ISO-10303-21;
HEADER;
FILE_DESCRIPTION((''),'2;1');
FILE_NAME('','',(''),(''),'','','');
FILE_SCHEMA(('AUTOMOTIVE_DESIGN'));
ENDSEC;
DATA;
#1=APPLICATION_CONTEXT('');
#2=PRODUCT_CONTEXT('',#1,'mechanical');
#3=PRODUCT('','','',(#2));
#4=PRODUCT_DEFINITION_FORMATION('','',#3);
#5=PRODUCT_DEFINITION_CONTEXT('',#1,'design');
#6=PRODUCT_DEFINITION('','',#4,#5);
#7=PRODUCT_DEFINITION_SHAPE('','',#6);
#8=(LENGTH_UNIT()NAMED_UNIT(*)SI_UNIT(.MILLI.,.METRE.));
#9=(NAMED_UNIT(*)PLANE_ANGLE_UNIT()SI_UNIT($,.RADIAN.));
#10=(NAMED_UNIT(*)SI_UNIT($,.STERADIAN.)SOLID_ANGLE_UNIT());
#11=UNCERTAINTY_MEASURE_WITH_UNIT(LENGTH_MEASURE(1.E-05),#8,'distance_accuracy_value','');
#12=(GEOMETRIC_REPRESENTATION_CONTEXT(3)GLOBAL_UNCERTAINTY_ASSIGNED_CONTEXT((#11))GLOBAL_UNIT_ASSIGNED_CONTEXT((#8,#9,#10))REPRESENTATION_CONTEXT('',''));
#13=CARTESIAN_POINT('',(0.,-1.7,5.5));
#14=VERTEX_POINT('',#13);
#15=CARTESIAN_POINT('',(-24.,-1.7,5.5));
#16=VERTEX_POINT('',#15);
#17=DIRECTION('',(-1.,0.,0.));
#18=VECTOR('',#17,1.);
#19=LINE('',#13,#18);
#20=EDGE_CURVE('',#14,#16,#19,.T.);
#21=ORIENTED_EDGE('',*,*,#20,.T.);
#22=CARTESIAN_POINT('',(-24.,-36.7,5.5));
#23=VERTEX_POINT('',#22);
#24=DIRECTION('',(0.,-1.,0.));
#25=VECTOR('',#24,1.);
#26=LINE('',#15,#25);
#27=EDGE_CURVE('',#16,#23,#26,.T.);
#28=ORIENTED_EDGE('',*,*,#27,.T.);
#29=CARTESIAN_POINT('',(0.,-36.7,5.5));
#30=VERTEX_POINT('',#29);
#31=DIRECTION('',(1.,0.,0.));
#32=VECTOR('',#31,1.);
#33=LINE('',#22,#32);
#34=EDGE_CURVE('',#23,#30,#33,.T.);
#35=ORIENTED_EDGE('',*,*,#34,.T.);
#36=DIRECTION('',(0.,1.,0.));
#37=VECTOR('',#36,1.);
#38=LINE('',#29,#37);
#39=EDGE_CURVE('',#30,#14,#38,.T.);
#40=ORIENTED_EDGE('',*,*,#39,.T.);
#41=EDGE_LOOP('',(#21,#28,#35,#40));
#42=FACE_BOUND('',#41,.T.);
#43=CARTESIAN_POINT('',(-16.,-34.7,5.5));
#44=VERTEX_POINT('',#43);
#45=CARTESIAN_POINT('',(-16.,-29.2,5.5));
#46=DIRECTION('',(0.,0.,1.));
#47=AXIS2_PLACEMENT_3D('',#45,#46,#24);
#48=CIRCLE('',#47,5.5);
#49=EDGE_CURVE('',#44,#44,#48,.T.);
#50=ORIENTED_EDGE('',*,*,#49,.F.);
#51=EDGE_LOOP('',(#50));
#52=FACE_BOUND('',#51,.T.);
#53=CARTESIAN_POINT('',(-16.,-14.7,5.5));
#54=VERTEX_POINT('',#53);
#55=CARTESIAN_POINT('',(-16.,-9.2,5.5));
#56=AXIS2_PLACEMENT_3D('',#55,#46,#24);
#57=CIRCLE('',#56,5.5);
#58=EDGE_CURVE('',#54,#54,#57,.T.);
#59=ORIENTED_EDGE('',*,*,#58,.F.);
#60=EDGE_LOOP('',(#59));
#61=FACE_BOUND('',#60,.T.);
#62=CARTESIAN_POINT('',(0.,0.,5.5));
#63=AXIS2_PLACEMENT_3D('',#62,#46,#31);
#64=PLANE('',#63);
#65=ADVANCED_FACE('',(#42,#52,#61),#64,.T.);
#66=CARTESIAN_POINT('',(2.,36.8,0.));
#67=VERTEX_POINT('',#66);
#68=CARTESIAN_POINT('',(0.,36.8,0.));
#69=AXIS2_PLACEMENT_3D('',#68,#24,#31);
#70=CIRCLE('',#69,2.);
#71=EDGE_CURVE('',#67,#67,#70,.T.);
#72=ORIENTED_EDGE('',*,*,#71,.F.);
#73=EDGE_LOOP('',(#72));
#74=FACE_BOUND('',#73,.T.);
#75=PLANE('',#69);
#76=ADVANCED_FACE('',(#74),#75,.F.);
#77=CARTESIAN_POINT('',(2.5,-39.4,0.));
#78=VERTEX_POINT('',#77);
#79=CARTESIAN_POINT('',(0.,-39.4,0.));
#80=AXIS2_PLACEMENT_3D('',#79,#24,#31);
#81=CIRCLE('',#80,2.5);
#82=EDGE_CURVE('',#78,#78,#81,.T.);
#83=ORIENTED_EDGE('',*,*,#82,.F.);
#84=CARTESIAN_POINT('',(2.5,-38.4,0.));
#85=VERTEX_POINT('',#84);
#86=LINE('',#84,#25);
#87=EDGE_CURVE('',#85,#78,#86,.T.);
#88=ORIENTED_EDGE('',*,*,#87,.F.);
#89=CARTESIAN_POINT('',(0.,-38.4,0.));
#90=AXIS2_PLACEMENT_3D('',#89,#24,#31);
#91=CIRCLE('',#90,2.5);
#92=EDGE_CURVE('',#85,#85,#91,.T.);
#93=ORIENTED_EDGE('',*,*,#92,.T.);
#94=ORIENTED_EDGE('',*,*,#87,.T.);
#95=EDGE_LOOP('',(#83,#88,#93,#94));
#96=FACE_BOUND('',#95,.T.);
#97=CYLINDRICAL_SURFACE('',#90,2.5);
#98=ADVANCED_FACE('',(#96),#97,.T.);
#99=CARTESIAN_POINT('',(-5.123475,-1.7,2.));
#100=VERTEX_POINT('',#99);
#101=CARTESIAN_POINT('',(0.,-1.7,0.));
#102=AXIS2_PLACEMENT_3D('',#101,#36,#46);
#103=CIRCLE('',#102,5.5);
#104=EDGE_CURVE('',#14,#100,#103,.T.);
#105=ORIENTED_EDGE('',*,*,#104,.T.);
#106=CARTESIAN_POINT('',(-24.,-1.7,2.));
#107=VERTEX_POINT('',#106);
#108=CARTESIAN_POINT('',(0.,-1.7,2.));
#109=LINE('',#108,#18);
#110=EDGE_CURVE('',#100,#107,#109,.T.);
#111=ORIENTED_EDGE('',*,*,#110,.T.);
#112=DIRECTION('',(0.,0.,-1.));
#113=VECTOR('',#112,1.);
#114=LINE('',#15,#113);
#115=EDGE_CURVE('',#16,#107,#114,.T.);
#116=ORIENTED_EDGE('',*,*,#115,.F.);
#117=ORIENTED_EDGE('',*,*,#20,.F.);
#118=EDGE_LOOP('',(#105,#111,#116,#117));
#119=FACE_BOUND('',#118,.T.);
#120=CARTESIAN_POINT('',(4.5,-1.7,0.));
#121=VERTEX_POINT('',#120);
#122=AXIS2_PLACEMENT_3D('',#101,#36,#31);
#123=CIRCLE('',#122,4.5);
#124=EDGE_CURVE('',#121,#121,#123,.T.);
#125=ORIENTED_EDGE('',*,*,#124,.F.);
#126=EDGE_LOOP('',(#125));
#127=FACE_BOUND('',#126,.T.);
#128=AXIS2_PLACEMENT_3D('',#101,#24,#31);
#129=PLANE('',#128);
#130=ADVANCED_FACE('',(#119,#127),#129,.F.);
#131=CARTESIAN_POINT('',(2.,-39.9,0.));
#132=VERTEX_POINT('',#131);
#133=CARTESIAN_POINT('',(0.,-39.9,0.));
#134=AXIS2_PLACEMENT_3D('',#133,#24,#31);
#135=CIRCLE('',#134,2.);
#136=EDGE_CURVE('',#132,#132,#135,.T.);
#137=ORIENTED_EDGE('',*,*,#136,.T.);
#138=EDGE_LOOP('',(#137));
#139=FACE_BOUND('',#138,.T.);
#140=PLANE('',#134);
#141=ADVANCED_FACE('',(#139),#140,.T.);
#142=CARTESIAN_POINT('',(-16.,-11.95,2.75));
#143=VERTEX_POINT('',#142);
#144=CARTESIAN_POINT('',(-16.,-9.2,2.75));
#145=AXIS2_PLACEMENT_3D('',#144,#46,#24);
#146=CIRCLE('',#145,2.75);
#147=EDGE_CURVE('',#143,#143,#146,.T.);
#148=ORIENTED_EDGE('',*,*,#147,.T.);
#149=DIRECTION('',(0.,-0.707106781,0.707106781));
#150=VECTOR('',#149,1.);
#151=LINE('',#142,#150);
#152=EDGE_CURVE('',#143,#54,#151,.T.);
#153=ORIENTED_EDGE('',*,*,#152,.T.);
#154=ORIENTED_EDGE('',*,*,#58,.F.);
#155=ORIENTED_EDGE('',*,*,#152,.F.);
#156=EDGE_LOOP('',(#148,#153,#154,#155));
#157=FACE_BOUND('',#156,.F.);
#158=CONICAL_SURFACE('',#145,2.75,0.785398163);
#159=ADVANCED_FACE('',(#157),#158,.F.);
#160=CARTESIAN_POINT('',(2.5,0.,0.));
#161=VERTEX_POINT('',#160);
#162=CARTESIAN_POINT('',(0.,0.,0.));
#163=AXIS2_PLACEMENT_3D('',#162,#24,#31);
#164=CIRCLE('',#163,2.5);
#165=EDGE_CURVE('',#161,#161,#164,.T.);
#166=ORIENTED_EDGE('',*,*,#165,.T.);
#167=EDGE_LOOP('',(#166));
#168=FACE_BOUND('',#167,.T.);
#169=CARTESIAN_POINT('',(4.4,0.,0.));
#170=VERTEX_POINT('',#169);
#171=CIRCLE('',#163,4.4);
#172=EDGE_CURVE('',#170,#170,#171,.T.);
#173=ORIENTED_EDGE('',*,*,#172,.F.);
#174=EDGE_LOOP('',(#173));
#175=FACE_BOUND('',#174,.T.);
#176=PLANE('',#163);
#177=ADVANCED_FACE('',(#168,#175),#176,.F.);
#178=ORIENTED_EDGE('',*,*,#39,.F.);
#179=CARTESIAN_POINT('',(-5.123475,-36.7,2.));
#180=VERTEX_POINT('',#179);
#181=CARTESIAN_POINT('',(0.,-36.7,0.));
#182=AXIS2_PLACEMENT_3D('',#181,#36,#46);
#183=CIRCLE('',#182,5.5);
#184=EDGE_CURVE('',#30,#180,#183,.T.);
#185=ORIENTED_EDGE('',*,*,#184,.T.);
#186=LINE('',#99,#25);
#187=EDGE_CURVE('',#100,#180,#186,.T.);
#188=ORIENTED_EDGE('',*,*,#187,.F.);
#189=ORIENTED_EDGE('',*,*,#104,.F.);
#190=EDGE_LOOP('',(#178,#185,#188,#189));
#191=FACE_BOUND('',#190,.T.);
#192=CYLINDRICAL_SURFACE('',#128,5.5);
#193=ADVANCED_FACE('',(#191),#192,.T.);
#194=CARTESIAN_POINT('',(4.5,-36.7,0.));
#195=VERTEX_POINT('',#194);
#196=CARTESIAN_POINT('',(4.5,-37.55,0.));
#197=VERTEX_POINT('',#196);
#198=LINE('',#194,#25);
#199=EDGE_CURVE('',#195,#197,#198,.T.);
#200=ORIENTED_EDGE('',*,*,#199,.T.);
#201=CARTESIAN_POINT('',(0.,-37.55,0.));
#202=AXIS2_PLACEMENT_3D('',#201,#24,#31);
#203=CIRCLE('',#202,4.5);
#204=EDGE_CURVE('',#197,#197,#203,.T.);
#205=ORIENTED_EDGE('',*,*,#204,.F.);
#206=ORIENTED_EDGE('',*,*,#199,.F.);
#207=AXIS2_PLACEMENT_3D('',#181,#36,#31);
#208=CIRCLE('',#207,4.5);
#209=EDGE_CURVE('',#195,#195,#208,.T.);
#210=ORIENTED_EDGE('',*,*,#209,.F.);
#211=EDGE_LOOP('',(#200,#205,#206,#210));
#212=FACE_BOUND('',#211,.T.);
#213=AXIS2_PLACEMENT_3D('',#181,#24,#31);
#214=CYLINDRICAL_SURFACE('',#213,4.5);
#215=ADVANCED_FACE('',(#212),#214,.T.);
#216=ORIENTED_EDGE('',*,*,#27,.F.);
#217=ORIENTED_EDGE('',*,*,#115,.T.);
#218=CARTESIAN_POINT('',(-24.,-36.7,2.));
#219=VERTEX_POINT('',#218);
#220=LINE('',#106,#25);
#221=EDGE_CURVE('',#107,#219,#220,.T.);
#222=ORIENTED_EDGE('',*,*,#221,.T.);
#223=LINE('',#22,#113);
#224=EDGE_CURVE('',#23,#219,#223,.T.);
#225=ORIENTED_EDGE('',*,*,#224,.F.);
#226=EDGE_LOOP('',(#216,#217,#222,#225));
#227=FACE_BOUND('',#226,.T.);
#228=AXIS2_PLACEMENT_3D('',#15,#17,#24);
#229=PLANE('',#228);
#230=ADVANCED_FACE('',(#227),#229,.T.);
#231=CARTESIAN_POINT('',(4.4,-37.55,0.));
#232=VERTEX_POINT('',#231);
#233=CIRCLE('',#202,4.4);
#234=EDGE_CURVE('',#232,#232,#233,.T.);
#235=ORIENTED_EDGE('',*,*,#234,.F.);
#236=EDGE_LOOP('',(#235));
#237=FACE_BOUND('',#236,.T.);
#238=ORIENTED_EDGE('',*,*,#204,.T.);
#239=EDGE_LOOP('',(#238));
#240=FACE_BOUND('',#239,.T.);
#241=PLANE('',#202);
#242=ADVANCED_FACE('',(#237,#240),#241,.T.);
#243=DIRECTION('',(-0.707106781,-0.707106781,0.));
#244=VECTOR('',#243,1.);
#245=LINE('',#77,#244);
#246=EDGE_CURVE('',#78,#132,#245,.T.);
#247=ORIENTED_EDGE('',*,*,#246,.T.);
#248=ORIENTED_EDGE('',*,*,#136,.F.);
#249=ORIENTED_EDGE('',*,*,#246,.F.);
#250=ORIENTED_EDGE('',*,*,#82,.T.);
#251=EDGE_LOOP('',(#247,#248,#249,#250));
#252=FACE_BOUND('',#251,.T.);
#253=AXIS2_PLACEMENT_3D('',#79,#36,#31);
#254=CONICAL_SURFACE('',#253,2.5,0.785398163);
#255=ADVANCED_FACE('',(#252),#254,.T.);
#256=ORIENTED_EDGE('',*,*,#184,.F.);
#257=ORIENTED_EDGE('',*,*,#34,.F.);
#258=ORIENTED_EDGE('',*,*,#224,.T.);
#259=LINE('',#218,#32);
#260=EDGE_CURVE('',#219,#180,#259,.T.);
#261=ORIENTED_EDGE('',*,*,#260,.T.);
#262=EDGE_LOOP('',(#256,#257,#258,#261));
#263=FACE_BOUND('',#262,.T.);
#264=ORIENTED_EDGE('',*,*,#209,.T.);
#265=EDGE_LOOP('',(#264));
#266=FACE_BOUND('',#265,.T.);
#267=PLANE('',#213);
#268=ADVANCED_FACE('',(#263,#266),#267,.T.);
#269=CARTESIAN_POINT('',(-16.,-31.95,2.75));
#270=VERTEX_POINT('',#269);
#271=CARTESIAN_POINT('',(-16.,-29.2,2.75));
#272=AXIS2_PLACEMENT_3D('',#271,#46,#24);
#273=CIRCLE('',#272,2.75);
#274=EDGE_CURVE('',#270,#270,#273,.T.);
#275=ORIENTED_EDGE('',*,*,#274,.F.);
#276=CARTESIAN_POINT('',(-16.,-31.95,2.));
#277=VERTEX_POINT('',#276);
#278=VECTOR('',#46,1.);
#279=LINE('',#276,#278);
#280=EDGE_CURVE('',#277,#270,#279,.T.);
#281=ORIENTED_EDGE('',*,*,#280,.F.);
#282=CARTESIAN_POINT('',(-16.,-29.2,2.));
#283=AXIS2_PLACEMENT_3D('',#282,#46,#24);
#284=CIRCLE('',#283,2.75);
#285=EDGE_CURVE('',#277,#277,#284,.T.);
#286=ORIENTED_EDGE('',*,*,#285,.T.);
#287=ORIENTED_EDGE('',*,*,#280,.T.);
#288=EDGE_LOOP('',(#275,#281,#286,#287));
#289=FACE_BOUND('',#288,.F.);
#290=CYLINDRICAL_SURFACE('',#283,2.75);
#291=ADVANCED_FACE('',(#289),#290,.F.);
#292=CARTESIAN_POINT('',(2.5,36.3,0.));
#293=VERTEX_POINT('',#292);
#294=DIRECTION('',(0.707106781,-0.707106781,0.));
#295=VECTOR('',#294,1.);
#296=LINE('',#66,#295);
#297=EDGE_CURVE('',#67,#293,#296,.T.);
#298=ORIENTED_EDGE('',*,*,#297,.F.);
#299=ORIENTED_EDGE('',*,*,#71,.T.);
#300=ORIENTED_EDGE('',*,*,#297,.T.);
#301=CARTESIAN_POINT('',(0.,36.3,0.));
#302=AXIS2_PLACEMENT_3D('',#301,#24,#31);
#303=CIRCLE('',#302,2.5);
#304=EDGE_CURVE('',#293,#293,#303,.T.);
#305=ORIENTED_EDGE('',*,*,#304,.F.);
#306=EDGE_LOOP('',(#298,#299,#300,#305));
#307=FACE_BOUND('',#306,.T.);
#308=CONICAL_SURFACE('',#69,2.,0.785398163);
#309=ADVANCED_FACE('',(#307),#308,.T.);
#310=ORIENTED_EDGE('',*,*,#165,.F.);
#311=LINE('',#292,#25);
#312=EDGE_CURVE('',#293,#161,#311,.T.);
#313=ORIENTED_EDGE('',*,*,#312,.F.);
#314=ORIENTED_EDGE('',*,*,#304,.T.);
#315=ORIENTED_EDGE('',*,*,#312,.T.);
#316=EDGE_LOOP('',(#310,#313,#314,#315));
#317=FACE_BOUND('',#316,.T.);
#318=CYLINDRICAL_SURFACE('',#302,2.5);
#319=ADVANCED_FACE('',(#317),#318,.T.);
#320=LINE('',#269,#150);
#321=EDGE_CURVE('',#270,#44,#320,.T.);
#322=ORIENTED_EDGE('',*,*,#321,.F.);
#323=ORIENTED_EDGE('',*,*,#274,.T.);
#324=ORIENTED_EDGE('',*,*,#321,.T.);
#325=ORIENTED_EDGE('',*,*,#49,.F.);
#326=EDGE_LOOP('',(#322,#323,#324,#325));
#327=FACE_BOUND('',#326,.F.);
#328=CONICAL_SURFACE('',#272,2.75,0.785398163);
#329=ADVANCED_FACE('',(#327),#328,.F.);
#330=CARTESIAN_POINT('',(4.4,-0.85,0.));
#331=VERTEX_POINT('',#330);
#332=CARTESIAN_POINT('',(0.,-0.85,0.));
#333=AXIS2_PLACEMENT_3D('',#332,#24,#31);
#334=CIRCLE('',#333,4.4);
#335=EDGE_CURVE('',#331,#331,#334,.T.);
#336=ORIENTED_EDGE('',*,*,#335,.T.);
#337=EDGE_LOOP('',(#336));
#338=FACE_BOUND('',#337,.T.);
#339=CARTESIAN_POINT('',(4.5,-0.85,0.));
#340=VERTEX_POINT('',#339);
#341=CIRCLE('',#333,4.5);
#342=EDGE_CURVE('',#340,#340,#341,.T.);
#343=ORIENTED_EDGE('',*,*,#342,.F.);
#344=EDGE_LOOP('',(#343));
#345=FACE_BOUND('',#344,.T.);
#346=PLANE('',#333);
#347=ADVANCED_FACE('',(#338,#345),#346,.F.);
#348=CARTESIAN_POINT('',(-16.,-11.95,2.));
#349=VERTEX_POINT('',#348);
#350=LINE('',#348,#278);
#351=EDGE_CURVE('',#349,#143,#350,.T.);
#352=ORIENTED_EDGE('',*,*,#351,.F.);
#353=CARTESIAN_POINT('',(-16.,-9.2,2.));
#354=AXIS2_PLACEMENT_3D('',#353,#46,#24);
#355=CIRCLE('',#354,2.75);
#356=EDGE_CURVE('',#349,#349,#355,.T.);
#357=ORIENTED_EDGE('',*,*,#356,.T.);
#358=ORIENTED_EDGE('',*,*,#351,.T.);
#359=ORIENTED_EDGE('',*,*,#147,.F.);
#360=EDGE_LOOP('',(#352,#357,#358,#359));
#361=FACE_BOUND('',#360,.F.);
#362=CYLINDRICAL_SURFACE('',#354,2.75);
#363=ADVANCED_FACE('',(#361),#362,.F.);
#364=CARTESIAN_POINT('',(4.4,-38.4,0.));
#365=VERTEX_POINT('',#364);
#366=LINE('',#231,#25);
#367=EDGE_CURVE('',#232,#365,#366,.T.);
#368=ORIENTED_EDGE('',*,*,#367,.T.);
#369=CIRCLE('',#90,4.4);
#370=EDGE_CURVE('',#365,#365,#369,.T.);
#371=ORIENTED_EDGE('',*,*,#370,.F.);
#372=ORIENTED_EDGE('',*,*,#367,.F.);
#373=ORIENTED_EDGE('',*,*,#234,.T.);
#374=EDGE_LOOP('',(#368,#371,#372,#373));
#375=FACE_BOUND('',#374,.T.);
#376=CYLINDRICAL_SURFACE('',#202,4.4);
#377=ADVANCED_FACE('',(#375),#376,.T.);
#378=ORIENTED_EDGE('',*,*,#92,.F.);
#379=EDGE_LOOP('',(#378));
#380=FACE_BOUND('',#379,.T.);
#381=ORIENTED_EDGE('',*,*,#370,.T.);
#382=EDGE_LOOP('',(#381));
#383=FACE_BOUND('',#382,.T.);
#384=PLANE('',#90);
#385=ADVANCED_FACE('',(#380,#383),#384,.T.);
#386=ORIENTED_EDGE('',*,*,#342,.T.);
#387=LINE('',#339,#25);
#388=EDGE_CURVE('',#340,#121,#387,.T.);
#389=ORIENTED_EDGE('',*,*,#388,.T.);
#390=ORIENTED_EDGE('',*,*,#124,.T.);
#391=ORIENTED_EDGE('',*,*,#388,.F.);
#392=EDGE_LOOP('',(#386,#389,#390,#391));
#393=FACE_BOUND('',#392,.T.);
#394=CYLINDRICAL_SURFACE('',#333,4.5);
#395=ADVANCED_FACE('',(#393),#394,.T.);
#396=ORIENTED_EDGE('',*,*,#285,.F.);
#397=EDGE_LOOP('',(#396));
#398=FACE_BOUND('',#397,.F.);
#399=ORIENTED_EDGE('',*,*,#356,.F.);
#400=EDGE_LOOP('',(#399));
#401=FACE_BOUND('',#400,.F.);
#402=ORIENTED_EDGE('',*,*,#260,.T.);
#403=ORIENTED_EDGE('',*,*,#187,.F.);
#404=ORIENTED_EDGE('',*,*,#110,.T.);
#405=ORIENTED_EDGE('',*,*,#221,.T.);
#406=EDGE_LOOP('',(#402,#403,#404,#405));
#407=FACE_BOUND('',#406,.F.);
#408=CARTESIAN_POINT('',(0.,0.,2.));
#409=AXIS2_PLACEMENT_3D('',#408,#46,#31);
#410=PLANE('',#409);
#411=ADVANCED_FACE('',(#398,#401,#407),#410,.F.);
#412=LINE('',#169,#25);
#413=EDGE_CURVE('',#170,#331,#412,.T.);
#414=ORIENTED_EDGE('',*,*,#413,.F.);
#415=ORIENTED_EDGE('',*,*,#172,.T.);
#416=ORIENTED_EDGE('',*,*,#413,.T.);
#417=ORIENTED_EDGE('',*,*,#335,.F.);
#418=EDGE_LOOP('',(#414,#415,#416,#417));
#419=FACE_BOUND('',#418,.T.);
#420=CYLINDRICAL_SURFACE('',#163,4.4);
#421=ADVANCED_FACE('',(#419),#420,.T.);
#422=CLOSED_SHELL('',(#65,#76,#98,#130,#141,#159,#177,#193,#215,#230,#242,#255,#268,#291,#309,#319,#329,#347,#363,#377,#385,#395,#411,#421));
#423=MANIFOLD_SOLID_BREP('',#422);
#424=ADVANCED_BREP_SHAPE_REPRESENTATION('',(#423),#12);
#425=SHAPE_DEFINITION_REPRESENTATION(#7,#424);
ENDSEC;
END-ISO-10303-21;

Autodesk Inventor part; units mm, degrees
sketch "Sketch_1" plane through (0, 0, 0) normal (0, 0, 1) x (1, 0, 0)
  line L0 (0, -39.9) -> (0, 36.8)
  line L1 (0, 36.8) -> (2, 36.8)
  line L2 (2, 36.8) -> (2.5, 36.3)
  line L3 (2.5, 36.3) -> (2.5, 0)
  line L4 (2.5, 0) -> (4.4, 0)
  line L5 (4.4, 0) -> (4.4, -0.85)
  line L6 (4.4, -0.85) -> (4.5, -0.85)
  line L7 (4.5, -0.85) -> (4.5, -1.7)
  line L8 (4.5, -1.7) -> (5.5, -1.7)
  line L9 (5.5, -1.7) -> (5.5, -36.7)
  line L10 (5.5, -36.7) -> (4.5, -36.7)
  line L11 (4.5, -36.7) -> (4.5, -37.55)
  line L12 (4.5, -37.55) -> (4.4, -37.55)
  line L13 (4.4, -37.55) -> (4.4, -38.4)
  line L14 (4.4, -38.4) -> (2.5, -38.4)
  line L15 (2.5, -38.4) -> (2.5, -39.4)
  line L16 (2.5, -39.4) -> (2, -39.9)
  line L17 (2, -39.9) -> (0, -39.9)
  line L18 (0, -39.9) -> (0, 36.8)
revolve "Revolution1" add sketch "Sketch_1" angle 360 about axis through (0, -39.9, 0) along (0, -1, 0)
sketch "Sketch_3" plane through (0, 0, 5.5) normal (0, 0, 1) x (1, 0, 0)
  line L0 (-24, -1.7) -> (-24, -36.7)
  line L1 (-24, -36.7) -> (0, -36.7)
  line L2 (0, -36.7) -> (0, -1.7)
  line L3 (0, -1.7) -> (-24, -1.7)
extrude "Extrusion1" add sketch "Sketch_3" against normal blind 3.5
sketch "Sketch_6" plane through (-16, 0, 0) normal (1, 0, 0) x (0, 0, -1)
  line L0 (-5.5, -9.2) -> (-2, -9.2)
  line L1 (-2, -9.2) -> (-2, -11.95)
  line L2 (-2, -11.95) -> (-2.75, -11.95)
  line L3 (-2.75, -11.95) -> (-5.5, -14.7)
  line L4 (-5.5, -14.7) -> (-5.5, -9.2)
  line L5 (-5.5, -9.2) -> (-2, -9.2)
revolve "Revolution2" cut sketch "Sketch_6" angle 360 about axis through (-16, -9.2, 5.5) along (0, 0, 1)
sketch "Sketch_7" plane through (-16, 0, 0) normal (1, 0, 0) x (0, 0, -1)
  line L0 (-5.5, -29.2) -> (-2, -29.2)
  line L1 (-2, -29.2) -> (-2, -31.95)
  line L2 (-2, -31.95) -> (-2.75, -31.95)
  line L3 (-2.75, -31.95) -> (-5.5, -34.7)
  line L4 (-5.5, -34.7) -> (-5.5, -29.2)
  line L5 (-5.5, -29.2) -> (-2, -29.2)
revolve "Revolution3" cut sketch "Sketch_7" angle 360 about axis through (-16, -29.2, 5.5) along (0, 0, 1)
ref_plane "1_XY" through (0, 0, 0) normal (0, 1, 0) x (1, 0, 0)
ref_plane "1_YZ" through (0, 0, 0) normal (1, 0, 0) x (0, 0, -1)
ref_plane "1_ZX" through (0, 0, 0) normal (0, 0, -1) x (0, 1, 0)
ref_plane "to_bolt1_XY" through (16, -9.2, 5.5) normal (0, 0, 1) x (1, 0, 0)
ref_plane "to_bolt1_YZ" through (16, -9.2, 5.5) normal (1, 0, 0) x (0, 1, 0)
ref_plane "to_bolt1_ZX" through (16, -9.2, 5.5) normal (0, 1, 0) x (0, 0, 1)
ref_plane "to_bolt2_XY" through (16, -29.2, 5.5) normal (0, 0, 1) x (1, 0, 0)
ref_plane "to_bolt2_YZ" through (16, -29.2, 5.5) normal (1, 0, 0) x (0, 1, 0)
ref_plane "to_bolt2_ZX" through (16, -29.2, 5.5) normal (0, 1, 0) x (0, 0, 1)
ref_plane "to_bolt1_r_XY" through (-16, -9.2, 5.5) normal (0, 0, 1) x (1, 0, 0)
ref_plane "to_bolt1_r_YZ" through (-16, -9.2, 5.5) normal (1, 0, 0) x (0, 1, 0)
ref_plane "to_bolt1_r_ZX" through (-16, -9.2, 5.5) normal (0, 1, 0) x (0, 0, 1)
ref_plane "to_bolt2_r_XY" through (-16, -29.2, 5.5) normal (0, 0, 1) x (1, 0, 0)
ref_plane "to_bolt2_r_YZ" through (-16, -29.2, 5.5) normal (1, 0, 0) x (0, 1, 0)
ref_plane "to_bolt2_r_ZX" through (-16, -29.2, 5.5) normal (0, 1, 0) x (0, 0, 1)
properties part number "HHPFRN5-1"
